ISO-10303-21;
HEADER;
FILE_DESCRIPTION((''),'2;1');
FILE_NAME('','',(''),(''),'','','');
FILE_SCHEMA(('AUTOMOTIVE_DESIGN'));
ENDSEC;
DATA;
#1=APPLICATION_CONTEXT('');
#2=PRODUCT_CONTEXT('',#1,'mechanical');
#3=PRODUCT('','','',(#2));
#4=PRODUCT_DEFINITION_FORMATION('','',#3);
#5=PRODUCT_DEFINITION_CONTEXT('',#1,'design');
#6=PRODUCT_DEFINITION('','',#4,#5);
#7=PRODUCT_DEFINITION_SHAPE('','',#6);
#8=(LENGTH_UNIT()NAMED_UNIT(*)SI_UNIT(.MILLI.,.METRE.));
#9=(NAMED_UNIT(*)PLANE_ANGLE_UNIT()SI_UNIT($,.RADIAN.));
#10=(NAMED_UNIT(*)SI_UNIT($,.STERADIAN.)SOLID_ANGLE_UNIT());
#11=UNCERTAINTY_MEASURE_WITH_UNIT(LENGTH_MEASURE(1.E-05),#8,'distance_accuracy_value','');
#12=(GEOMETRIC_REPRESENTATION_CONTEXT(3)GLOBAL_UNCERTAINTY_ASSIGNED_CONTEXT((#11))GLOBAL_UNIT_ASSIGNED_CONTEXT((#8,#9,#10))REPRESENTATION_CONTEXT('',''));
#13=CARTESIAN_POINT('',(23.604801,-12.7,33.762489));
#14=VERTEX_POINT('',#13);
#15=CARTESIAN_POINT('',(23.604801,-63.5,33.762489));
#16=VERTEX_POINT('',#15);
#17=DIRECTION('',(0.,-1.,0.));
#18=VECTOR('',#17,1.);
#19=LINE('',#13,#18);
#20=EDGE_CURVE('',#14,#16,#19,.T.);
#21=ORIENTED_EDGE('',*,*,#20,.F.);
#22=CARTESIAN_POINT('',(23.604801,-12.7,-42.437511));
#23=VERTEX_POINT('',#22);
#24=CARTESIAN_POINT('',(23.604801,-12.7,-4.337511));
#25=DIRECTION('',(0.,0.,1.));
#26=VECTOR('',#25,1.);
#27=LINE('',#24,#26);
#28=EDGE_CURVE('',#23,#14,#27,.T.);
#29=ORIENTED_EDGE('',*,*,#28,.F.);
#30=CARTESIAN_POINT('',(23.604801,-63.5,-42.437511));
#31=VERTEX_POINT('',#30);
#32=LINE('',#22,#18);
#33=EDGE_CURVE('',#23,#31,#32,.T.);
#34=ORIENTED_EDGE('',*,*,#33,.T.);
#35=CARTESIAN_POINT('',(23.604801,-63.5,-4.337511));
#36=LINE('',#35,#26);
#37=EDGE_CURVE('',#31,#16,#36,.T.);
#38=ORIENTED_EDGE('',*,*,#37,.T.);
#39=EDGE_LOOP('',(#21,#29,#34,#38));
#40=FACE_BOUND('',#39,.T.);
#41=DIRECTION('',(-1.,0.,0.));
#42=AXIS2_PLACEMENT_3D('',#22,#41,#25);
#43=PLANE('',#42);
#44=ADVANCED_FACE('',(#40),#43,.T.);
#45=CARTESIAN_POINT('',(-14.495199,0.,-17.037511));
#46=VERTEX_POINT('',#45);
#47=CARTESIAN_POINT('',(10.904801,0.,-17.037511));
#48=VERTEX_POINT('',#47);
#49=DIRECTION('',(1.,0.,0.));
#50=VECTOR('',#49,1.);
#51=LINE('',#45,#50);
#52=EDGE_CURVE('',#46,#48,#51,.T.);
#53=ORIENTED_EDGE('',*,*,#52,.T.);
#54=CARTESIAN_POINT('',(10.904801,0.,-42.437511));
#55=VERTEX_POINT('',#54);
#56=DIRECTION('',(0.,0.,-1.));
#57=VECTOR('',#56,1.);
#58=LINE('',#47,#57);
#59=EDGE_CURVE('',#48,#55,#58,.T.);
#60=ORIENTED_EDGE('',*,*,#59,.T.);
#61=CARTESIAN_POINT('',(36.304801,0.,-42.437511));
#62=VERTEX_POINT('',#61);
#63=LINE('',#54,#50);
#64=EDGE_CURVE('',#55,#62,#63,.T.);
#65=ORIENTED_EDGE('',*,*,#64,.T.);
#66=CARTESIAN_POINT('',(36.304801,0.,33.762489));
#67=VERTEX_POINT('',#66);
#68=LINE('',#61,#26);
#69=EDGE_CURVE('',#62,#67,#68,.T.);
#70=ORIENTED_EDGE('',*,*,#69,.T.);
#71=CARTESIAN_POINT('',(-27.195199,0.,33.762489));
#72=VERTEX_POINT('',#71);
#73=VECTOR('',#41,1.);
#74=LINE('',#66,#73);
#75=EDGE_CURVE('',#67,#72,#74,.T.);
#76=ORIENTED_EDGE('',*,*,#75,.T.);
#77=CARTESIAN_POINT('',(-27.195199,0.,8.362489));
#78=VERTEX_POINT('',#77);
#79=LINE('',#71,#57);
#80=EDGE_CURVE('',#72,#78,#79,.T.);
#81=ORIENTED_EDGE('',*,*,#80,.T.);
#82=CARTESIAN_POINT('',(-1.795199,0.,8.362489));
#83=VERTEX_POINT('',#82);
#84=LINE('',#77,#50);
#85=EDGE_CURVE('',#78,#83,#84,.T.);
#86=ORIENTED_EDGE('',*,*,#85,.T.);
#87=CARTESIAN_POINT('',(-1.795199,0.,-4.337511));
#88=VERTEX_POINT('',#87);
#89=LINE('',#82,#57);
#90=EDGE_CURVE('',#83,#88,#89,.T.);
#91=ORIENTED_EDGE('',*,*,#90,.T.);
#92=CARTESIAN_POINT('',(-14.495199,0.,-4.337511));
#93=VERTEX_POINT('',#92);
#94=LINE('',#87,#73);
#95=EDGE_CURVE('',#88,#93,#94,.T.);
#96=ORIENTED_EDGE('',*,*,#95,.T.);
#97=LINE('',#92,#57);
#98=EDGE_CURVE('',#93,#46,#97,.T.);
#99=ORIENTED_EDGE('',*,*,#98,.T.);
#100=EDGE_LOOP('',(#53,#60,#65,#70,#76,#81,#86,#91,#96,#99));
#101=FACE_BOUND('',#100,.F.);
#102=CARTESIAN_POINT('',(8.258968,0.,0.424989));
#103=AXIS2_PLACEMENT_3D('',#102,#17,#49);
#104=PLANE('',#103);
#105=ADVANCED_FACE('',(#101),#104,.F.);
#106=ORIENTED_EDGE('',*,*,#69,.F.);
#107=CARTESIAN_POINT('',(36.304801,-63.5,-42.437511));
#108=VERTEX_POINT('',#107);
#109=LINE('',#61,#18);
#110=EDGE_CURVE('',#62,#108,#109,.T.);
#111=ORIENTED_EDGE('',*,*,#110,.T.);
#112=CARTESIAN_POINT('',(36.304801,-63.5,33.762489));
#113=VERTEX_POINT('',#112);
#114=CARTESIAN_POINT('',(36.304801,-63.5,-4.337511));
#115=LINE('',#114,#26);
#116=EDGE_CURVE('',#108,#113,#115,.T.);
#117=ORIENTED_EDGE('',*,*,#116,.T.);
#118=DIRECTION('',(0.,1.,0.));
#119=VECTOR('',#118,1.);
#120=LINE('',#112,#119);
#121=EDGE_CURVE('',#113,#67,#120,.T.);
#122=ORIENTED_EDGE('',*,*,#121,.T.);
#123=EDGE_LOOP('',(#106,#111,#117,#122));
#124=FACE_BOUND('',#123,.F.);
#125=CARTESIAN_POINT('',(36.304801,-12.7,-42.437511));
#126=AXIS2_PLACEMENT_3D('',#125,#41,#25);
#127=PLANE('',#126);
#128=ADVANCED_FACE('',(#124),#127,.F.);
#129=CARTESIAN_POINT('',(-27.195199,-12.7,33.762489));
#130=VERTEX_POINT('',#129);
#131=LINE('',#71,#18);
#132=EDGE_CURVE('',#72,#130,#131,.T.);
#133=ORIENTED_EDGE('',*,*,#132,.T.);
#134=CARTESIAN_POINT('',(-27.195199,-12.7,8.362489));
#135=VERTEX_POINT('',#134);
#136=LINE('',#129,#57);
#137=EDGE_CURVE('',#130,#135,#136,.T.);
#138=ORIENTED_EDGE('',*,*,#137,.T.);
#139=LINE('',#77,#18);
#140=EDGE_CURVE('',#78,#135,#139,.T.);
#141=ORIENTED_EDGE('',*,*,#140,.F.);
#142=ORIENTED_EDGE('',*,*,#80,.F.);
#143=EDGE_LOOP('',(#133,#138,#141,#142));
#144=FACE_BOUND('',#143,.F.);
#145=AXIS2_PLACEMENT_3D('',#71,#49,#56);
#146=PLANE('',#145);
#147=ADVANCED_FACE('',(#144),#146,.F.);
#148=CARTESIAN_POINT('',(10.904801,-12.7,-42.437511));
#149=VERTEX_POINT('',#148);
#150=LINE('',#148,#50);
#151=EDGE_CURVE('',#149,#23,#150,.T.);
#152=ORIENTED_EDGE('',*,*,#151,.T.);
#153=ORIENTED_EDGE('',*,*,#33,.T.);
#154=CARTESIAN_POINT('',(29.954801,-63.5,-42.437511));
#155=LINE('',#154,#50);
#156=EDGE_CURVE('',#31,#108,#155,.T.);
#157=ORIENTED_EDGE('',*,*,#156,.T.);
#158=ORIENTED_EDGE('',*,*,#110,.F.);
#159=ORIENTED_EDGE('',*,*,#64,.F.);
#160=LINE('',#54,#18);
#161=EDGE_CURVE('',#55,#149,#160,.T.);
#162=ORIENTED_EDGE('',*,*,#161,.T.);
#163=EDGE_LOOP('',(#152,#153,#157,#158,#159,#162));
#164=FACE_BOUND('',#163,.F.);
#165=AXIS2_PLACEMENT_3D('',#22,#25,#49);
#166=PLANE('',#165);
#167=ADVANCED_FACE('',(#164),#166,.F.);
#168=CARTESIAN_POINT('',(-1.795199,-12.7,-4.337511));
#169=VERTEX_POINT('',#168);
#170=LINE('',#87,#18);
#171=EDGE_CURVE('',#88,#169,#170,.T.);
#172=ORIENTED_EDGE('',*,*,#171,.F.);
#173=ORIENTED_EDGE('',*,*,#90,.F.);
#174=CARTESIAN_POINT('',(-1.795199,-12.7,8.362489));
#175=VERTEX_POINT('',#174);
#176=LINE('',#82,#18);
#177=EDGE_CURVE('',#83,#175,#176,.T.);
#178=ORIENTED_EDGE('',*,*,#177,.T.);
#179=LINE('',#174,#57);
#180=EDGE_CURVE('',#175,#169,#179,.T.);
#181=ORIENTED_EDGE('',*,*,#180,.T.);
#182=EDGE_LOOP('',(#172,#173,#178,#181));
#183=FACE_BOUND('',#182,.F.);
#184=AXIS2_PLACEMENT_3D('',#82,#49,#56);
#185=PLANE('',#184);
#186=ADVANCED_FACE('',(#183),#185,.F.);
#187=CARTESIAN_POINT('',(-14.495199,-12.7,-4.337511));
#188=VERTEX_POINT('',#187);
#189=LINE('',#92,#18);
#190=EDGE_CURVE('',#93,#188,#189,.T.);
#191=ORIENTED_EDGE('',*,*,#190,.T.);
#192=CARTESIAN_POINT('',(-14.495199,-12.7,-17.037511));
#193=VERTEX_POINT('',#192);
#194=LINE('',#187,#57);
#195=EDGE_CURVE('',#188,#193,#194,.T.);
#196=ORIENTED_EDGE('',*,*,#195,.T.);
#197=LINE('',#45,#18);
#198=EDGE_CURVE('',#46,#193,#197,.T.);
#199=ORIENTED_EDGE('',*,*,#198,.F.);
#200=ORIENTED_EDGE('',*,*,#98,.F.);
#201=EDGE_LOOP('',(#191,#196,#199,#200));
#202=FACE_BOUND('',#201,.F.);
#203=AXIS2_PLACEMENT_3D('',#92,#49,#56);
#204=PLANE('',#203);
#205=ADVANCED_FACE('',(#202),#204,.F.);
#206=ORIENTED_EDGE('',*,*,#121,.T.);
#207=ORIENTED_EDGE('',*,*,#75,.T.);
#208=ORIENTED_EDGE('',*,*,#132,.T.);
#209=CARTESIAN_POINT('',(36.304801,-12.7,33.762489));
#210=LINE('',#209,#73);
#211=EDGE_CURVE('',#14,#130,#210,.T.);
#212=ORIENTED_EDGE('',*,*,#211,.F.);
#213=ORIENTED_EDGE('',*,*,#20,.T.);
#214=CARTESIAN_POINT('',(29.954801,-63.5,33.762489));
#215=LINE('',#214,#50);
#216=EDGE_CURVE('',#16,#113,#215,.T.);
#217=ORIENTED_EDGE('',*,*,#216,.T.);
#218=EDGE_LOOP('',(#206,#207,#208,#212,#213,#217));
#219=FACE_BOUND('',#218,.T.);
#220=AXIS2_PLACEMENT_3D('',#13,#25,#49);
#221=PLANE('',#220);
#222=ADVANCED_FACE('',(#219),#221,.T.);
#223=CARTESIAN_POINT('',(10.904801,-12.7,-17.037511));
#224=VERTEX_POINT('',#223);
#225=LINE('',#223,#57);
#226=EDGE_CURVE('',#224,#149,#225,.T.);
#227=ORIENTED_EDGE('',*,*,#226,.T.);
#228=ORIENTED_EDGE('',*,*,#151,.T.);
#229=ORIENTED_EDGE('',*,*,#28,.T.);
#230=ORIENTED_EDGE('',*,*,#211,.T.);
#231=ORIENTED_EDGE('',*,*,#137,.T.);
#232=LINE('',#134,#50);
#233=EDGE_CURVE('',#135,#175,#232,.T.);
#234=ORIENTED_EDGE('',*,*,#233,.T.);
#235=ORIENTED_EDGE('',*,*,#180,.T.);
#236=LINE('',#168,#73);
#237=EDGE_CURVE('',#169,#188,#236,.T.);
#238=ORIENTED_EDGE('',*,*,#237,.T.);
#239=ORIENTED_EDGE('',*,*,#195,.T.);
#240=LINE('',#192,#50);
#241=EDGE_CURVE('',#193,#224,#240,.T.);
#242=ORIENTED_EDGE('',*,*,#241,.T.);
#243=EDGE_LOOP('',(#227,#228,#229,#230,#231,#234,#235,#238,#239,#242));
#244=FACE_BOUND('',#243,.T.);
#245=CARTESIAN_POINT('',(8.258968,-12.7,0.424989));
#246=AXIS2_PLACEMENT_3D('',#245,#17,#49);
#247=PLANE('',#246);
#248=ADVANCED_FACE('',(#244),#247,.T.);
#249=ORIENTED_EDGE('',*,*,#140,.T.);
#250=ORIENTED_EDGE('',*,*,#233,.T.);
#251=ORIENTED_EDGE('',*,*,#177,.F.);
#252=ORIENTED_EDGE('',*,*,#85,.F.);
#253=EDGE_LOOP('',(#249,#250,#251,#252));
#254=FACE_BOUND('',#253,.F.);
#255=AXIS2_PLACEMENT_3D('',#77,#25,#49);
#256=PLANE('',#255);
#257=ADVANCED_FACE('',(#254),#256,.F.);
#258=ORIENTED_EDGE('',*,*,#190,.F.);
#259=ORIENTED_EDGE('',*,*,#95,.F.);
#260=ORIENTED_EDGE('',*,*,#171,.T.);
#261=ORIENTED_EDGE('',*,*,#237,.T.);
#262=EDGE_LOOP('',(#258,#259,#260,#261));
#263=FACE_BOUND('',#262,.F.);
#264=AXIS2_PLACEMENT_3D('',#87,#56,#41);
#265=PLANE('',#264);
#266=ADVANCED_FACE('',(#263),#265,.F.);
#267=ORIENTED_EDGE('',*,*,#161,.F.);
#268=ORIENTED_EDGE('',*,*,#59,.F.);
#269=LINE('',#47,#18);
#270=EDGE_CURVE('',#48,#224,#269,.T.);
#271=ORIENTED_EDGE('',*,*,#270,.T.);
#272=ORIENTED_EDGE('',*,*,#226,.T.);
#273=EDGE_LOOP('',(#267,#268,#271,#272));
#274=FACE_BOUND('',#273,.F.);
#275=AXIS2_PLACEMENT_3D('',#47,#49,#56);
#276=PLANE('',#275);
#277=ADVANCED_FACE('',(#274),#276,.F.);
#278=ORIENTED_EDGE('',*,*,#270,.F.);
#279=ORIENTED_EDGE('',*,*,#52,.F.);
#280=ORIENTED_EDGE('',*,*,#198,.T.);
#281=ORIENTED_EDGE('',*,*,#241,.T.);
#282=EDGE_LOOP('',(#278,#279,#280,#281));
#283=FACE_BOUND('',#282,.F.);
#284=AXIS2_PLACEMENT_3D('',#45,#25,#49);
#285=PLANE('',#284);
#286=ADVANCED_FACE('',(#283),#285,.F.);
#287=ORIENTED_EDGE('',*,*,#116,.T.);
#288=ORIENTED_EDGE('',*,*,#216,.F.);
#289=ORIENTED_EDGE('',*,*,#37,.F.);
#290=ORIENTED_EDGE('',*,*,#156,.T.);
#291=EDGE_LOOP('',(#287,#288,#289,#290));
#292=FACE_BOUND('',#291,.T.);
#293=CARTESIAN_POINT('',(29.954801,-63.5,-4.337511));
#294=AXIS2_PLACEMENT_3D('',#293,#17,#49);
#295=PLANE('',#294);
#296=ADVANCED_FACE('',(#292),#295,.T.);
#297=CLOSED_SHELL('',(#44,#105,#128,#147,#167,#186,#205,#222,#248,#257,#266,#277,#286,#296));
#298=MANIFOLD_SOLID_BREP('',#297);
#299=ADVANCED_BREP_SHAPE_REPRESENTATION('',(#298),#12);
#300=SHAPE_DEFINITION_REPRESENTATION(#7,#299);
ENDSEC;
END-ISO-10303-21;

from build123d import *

# Parameters (mm, degrees)
F1_DEPTH = 12.7
F2_W     = 12.7
F2_H     = 76.2
F3_DEPTH = 50.8


with BuildPart() as f1:
    # F0 (on Front) → F1 (new body)
    with BuildSketch(Plane.XZ):
        Polygon((36.304801, 33.762489), (-27.195199, 33.762489), (-27.195199, 8.362489), (-1.795199, 8.362489), (-1.795199, -4.337511), (-14.495199, -4.337511), (-14.495199, -17.037511), (10.904801, -17.037511), (10.904801, -42.437511), (36.304801, -42.437511), align=None)
    extrude(amount=F1_DEPTH)

    # F2 (on face) → F3 (join)
    with BuildSketch(Plane.XZ.offset(12.7)):
        with Locations((29.954801, -4.337511)):
            Rectangle(F2_W, F2_H)
    extrude(amount=F3_DEPTH)


solid = f1.part
